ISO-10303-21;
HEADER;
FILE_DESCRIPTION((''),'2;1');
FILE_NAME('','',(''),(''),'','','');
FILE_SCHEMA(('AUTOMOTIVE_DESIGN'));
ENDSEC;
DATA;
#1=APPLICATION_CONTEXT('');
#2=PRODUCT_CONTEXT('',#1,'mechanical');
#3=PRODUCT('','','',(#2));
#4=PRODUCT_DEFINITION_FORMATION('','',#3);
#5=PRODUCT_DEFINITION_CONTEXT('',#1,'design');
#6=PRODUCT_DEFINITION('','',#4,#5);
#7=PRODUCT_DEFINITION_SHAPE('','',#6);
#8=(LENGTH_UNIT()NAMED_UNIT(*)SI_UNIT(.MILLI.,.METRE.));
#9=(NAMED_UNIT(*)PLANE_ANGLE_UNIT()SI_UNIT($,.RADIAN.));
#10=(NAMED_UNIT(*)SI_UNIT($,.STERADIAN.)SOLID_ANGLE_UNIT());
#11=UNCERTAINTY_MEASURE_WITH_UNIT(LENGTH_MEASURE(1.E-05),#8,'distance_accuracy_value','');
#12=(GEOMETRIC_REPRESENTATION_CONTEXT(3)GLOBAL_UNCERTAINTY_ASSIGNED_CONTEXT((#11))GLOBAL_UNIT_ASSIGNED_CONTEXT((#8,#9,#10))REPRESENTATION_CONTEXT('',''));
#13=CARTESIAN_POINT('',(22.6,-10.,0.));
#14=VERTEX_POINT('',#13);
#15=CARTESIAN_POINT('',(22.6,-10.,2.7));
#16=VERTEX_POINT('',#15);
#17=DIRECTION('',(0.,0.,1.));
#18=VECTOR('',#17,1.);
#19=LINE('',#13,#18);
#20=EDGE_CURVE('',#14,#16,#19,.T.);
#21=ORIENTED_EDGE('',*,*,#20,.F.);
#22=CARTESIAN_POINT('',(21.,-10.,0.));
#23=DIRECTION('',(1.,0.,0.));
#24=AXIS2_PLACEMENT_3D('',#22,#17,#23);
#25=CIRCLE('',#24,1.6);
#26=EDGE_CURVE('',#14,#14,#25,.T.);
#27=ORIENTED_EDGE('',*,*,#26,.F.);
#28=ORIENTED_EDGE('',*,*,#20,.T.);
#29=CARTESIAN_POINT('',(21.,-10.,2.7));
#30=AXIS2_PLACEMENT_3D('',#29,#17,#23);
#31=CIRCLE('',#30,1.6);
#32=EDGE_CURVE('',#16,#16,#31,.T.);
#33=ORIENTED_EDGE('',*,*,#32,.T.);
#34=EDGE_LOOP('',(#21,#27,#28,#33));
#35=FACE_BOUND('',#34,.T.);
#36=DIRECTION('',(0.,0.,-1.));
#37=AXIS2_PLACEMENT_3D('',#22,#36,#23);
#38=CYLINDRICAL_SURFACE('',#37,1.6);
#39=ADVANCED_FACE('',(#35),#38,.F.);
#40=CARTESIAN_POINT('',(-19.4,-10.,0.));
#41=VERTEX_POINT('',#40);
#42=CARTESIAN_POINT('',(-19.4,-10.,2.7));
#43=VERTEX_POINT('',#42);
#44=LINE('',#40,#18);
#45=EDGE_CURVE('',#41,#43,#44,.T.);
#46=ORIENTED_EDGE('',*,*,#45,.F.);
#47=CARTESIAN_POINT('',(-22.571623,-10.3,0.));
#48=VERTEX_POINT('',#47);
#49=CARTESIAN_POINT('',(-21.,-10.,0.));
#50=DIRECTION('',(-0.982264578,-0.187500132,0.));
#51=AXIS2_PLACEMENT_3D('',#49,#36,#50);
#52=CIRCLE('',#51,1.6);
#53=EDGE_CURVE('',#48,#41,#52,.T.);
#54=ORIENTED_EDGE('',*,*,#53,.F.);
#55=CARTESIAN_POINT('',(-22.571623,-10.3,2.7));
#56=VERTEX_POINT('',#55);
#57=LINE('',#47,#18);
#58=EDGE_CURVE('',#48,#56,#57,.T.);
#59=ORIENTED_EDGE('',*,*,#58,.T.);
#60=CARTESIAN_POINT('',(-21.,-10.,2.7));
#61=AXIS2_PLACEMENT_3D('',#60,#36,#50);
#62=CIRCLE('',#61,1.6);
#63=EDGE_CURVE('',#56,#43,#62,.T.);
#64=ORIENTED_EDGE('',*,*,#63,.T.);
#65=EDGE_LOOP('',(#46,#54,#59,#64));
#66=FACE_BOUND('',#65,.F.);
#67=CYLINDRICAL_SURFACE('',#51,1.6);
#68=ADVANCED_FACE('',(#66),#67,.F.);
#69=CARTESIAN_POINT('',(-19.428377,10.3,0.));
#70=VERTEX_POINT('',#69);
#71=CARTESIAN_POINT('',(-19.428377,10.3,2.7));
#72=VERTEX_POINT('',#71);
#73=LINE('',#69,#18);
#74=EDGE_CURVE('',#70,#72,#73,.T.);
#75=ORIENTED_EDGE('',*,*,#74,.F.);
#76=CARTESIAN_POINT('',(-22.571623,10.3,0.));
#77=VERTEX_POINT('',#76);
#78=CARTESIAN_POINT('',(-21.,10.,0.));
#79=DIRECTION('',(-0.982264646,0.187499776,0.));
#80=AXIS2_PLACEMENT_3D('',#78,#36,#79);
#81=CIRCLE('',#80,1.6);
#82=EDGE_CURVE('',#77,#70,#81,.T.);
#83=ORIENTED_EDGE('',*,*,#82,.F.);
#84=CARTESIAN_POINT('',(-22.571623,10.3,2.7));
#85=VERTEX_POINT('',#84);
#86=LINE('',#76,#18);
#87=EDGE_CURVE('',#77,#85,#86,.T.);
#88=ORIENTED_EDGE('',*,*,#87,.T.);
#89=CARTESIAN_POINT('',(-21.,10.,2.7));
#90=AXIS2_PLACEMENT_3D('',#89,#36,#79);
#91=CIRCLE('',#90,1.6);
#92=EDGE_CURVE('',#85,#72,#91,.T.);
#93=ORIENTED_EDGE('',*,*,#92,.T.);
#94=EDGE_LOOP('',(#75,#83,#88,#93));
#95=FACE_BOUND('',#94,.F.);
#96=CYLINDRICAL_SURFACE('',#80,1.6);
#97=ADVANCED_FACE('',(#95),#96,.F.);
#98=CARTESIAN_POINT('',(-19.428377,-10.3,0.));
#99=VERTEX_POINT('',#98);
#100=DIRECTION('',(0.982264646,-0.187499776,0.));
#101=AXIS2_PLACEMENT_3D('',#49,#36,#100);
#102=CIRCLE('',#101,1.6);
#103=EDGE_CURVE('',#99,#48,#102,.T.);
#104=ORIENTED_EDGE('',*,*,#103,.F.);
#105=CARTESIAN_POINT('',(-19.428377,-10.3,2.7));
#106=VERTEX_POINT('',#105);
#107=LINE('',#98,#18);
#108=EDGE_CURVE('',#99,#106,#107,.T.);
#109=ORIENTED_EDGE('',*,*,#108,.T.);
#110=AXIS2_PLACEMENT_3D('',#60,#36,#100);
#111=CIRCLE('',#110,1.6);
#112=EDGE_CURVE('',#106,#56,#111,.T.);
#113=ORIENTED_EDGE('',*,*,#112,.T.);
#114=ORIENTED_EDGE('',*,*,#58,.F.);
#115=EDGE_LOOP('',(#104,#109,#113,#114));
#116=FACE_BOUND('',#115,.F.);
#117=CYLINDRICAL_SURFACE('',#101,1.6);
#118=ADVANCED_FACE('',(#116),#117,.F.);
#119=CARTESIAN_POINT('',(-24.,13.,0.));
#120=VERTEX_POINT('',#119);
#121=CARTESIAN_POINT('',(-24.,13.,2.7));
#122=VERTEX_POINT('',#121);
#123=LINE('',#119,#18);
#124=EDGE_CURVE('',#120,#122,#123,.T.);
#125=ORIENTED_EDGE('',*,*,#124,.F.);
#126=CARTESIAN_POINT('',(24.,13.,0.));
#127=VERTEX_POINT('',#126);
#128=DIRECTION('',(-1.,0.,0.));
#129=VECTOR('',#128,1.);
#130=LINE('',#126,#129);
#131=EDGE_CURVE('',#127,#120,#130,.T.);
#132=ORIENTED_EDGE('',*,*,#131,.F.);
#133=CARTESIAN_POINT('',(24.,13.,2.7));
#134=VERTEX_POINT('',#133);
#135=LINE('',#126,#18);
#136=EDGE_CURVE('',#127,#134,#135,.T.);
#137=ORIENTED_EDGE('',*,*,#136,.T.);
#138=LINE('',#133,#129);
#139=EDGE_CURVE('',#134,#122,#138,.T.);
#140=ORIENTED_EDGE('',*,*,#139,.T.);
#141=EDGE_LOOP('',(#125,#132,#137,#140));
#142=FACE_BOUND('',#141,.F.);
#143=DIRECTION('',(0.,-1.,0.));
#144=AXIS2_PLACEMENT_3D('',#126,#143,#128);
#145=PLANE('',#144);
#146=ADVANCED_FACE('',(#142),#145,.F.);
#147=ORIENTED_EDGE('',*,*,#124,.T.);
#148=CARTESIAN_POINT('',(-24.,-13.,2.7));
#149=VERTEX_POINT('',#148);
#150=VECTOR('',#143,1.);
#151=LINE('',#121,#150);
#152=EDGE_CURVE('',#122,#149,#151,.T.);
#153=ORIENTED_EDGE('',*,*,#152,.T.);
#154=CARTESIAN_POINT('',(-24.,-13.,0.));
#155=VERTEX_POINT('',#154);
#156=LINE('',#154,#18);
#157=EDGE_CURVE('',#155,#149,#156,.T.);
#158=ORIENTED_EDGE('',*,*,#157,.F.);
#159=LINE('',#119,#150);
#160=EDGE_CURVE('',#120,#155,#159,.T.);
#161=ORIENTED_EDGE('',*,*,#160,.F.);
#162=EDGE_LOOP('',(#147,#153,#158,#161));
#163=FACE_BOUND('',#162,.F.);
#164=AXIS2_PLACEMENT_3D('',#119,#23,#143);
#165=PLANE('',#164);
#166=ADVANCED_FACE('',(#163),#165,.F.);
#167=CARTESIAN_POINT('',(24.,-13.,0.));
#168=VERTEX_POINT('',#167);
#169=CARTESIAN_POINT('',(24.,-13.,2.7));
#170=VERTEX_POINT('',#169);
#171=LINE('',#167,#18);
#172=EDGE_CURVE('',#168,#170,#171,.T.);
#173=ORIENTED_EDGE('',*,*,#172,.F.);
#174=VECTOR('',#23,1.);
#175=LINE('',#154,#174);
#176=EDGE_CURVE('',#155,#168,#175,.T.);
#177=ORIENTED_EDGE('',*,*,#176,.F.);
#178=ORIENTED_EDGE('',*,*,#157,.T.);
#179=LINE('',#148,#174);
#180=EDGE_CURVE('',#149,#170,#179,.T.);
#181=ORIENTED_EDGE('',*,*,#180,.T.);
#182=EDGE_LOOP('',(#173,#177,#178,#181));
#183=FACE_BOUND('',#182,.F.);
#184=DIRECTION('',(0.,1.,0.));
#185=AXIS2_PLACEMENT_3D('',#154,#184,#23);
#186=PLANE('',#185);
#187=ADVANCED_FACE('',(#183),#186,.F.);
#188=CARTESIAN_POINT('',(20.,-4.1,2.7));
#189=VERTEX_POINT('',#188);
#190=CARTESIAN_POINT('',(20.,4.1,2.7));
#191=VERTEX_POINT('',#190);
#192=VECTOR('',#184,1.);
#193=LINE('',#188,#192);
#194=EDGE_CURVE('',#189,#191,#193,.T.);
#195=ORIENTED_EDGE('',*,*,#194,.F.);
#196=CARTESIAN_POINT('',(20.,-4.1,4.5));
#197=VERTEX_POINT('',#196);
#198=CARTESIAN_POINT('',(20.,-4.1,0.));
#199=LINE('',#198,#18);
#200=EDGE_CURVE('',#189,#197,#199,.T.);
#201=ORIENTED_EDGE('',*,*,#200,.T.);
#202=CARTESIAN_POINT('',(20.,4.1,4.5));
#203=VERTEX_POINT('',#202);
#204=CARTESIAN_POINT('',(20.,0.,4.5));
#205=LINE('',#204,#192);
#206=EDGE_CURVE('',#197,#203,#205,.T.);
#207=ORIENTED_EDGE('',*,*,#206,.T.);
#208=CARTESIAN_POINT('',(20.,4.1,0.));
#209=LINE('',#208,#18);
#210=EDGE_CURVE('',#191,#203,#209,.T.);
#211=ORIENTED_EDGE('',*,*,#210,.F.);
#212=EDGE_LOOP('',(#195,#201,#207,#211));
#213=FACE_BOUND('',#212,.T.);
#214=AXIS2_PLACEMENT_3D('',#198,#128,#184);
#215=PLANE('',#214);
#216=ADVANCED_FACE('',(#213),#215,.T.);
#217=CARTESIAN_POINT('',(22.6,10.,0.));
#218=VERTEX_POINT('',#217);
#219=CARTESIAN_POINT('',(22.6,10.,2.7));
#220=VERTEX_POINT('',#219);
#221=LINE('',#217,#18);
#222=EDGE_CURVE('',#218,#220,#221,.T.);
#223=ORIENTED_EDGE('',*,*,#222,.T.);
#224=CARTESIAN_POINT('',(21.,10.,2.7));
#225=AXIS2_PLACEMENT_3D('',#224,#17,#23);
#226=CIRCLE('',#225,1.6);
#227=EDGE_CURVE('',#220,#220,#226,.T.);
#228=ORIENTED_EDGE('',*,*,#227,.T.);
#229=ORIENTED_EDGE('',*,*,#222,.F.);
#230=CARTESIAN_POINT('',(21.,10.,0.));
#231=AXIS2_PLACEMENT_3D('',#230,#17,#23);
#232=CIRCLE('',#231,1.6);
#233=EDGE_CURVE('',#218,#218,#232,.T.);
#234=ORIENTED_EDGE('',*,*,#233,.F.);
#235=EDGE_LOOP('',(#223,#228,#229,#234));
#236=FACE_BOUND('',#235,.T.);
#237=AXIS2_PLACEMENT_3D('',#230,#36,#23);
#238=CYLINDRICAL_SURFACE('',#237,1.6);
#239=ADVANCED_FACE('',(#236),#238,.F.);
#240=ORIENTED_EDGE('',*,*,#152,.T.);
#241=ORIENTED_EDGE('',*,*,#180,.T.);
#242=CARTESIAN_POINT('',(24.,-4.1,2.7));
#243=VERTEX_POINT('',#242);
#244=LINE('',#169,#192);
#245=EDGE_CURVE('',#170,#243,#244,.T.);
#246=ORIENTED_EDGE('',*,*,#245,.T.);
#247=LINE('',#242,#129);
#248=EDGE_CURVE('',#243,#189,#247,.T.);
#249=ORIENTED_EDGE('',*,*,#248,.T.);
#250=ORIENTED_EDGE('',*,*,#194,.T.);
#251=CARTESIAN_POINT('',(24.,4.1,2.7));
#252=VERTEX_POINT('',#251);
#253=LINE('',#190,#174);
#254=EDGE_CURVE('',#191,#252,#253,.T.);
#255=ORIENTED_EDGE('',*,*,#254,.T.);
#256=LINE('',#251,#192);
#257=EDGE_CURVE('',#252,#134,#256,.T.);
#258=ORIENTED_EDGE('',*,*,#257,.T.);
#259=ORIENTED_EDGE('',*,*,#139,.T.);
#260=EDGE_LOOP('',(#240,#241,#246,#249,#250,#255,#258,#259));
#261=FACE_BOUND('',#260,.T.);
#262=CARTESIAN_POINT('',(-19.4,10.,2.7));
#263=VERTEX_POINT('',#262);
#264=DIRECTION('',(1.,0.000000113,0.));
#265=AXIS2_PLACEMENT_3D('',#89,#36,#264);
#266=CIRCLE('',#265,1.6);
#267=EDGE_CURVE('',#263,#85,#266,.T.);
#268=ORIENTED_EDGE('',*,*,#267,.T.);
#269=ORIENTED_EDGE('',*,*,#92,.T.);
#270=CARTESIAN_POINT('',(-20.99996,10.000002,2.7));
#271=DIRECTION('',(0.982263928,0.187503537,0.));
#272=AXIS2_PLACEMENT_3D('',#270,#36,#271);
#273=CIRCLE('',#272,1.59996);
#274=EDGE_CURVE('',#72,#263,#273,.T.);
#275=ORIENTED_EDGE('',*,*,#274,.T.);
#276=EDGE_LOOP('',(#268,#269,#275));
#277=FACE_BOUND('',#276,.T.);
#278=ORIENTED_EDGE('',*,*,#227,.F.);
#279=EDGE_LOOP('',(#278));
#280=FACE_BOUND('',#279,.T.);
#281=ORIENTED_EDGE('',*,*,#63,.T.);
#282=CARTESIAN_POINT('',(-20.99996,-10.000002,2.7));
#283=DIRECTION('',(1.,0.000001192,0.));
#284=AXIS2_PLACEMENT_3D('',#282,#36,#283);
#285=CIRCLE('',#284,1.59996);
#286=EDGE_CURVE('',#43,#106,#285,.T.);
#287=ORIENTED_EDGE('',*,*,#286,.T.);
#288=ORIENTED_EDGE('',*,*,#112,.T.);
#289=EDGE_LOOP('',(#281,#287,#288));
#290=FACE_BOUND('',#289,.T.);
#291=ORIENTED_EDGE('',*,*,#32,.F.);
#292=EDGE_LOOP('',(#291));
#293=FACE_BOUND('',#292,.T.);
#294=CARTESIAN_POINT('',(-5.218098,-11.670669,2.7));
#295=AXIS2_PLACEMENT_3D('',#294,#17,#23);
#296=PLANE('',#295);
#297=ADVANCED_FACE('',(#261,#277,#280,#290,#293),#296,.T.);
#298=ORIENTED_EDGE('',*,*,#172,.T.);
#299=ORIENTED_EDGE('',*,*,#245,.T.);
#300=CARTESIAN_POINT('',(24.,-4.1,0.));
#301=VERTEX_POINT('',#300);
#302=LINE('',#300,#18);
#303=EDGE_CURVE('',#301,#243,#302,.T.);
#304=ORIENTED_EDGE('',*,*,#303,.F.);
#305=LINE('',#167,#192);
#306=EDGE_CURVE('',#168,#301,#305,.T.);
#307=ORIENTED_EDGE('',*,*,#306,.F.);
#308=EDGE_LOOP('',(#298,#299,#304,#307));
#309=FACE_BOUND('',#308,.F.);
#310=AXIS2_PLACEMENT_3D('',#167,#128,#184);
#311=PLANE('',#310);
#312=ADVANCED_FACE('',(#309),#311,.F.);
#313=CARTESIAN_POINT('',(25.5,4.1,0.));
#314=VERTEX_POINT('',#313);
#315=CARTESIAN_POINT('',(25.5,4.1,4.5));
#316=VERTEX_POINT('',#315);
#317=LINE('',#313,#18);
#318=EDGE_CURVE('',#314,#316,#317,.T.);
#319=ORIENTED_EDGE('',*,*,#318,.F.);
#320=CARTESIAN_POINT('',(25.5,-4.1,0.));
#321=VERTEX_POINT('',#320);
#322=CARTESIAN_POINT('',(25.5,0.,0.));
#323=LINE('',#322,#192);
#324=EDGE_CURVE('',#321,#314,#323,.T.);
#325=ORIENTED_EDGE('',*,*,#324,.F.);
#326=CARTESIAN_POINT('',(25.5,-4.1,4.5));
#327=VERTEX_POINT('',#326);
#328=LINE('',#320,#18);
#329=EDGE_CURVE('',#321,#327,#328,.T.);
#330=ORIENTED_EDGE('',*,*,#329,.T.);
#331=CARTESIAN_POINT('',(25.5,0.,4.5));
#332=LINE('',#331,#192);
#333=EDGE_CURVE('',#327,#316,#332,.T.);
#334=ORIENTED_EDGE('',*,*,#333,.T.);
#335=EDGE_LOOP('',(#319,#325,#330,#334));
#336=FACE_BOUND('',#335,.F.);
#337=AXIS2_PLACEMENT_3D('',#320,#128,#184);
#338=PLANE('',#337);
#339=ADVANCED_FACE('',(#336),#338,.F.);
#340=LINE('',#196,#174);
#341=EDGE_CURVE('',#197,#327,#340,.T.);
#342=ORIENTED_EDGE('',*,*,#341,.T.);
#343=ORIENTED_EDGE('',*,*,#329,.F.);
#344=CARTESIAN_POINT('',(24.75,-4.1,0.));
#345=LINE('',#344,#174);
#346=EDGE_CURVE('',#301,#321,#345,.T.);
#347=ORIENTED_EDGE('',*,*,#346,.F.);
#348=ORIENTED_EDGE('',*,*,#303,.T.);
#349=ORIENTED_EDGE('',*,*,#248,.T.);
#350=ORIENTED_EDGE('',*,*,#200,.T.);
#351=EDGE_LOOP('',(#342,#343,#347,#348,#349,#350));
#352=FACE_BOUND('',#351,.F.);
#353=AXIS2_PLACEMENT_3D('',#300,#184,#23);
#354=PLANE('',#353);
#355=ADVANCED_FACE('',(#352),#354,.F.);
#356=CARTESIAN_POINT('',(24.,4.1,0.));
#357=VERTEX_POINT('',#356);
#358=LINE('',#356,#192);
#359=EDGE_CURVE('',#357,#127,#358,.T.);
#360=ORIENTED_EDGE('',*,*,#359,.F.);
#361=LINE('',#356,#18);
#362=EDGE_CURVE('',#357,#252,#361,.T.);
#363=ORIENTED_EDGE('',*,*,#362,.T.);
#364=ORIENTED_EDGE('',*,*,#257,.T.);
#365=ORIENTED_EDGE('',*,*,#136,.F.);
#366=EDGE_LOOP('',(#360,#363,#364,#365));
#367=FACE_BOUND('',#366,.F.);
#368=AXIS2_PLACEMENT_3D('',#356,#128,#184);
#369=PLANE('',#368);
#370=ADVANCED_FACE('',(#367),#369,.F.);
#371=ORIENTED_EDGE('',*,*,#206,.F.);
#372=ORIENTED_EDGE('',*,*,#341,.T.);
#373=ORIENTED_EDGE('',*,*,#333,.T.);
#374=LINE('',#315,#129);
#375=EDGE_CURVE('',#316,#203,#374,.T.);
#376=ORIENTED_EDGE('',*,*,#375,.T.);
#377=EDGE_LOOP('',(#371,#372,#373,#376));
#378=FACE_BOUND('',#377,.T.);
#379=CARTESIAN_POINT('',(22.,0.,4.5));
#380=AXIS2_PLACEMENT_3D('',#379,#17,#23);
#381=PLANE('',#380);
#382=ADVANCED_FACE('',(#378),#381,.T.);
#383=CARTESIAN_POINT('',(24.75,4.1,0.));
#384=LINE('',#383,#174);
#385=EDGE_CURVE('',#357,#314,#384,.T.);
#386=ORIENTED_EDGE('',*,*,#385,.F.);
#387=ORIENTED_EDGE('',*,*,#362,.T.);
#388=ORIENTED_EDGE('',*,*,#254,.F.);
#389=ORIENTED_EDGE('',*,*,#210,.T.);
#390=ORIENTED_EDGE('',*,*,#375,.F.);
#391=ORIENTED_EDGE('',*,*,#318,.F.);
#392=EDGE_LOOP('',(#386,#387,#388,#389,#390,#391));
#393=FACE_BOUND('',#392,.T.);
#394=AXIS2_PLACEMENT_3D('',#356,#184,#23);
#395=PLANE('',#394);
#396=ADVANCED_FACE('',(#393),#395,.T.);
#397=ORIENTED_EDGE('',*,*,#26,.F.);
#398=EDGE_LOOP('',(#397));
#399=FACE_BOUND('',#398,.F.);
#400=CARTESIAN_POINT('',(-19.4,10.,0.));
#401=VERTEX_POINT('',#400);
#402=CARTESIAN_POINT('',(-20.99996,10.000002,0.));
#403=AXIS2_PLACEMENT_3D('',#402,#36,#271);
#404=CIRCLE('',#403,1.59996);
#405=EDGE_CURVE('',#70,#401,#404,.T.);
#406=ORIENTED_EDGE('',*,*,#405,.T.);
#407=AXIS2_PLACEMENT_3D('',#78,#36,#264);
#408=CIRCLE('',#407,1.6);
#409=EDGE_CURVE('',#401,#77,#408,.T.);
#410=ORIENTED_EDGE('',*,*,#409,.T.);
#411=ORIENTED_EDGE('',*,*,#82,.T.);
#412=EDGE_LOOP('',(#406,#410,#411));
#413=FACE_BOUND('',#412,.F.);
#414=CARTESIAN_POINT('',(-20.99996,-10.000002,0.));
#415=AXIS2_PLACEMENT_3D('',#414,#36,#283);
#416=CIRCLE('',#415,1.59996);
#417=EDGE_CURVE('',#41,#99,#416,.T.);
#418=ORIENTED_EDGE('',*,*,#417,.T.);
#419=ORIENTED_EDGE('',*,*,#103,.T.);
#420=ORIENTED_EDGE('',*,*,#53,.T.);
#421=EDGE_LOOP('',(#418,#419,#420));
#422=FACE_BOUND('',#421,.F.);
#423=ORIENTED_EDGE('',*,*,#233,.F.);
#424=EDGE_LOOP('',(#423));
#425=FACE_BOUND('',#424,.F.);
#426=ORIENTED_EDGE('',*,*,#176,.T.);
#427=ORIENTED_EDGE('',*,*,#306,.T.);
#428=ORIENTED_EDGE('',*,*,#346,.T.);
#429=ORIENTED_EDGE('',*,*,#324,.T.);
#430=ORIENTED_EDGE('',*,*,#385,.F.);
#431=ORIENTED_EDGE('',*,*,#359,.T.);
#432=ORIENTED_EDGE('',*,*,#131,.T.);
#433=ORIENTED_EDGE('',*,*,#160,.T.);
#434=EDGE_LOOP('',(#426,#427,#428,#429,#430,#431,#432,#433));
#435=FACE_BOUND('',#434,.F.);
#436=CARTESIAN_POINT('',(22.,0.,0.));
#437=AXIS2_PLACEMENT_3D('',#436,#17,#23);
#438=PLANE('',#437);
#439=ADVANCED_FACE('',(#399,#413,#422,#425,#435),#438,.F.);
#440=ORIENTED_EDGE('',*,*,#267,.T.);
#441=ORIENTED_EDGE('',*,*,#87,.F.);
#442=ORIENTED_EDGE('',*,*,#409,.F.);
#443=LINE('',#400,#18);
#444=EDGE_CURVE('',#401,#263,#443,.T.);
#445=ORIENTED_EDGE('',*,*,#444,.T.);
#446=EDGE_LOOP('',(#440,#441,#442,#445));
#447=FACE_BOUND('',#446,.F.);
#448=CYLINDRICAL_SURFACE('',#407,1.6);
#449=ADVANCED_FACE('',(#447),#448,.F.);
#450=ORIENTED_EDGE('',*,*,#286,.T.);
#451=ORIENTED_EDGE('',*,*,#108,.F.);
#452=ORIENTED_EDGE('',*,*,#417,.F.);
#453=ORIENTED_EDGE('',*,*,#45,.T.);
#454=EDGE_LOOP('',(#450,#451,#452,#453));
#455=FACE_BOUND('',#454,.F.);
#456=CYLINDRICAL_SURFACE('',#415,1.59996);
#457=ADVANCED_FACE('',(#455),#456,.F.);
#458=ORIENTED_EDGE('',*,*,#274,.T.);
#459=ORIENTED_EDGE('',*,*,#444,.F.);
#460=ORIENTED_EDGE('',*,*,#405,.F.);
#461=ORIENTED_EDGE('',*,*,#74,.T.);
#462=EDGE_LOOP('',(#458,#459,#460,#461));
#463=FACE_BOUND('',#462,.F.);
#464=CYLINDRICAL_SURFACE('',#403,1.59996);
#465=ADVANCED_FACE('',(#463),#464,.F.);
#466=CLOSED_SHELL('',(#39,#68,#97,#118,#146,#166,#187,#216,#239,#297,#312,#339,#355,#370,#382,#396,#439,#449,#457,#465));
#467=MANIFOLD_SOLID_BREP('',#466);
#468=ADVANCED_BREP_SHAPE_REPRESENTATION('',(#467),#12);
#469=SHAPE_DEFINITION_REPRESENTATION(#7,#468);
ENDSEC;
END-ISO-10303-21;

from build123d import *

# Parameters (mm, degrees)
F0_R     = 1.6
F0_W     = 25
F0_H     = 16
F0_W_2   = 1.5
F0_H_2   = 8.2
F1_DEPTH = 2.7
F0_W_3   = 4
F2_DEPTH = 4.5


with BuildPart() as f1:
    # F0 (on Top) → F1 (new body)
    with BuildSketch(Plane.XY):
        with BuildLine():
            Line((-24, -10.3), (-24, -13))
            Line((-24, -13), (14, -13))
            Line((14, -13), (14, -10.3))
            Line((14, -10.3), (-19.428377, -10.3))
            ThreePointArc((-19.428377, -10.3), (-21, -11.6), (-22.571623, -10.3))
            Line((-22.571623, -10.3), (-24, -10.3))
        make_face()
        with BuildLine():
            Line((14, -10.3), (14, -13))
            Line((14, -13), (24, -13))
            Line((24, -13), (24, -4.1))
            Line((24, -4.1), (20, -4.1))
            Line((20, -4.1), (20, 4.1))
            Line((20, 4.1), (24, 4.1))
            Line((24, 4.1), (24, 13))
            Line((24, 13), (14, 13))
            Line((14, 13), (14, 10.3))
            Line((14, 10.3), (-19.428377, 10.3))
            ThreePointArc((-19.428377, 10.3), (-19.40711, 10.15067), (-19.4, 10))
            ThreePointArc((-19.4, 10), (-21.15067, 8.40711), (-22.571623, 10.3))
            Line((-22.571623, 10.3), (-24, 10.3))
            Line((-24, 10.3), (-24, 8))
            Line((-24, 8), (1, 8))
            Line((1, 8), (1, -8))
            Line((1, -8), (-24, -8))
            Line((-24, -8), (-24, -10.3))
            Line((-24, -10.3), (-22.571623, -10.3))
            ThreePointArc((-22.571623, -10.3), (-21.15067, -8.40711), (-19.4, -10))
            ThreePointArc((-19.4, -10), (-19.40711, -10.15067), (-19.428377, -10.3))
            Line((-19.428377, -10.3), (14, -10.3))
        make_face()
        with Locations((21, -10)):
            Circle(F0_R, mode=Mode.SUBTRACT)
        with Locations((21, 10)):
            Circle(F0_R, mode=Mode.SUBTRACT)
        with Locations((-11.5, 0)):
            Rectangle(F0_W, F0_H)
        with Locations((24.75, 0)):
            Rectangle(F0_W_2, F0_H_2)
        with BuildLine():
            Line((-24, 13), (-24, 10.3))
            Line((-24, 10.3), (-22.571623, 10.3))
            ThreePointArc((-22.571623, 10.3), (-21, 11.6), (-19.428377, 10.3))
            Line((-19.428377, 10.3), (14, 10.3))
            Line((14, 10.3), (14, 13))
            Line((14, 13), (-24, 13))
        make_face()
    extrude(amount=F1_DEPTH)

    # F0 (on Top) → F2 (join)
    with BuildSketch(Plane.XY):
        with Locations((22, 0)):
            Rectangle(F0_W_3, F0_H_2)
        with Locations((24.75, 0)):
            Rectangle(F0_W_2, F0_H_2)
    extrude(amount=F2_DEPTH)


solid = f1.part
